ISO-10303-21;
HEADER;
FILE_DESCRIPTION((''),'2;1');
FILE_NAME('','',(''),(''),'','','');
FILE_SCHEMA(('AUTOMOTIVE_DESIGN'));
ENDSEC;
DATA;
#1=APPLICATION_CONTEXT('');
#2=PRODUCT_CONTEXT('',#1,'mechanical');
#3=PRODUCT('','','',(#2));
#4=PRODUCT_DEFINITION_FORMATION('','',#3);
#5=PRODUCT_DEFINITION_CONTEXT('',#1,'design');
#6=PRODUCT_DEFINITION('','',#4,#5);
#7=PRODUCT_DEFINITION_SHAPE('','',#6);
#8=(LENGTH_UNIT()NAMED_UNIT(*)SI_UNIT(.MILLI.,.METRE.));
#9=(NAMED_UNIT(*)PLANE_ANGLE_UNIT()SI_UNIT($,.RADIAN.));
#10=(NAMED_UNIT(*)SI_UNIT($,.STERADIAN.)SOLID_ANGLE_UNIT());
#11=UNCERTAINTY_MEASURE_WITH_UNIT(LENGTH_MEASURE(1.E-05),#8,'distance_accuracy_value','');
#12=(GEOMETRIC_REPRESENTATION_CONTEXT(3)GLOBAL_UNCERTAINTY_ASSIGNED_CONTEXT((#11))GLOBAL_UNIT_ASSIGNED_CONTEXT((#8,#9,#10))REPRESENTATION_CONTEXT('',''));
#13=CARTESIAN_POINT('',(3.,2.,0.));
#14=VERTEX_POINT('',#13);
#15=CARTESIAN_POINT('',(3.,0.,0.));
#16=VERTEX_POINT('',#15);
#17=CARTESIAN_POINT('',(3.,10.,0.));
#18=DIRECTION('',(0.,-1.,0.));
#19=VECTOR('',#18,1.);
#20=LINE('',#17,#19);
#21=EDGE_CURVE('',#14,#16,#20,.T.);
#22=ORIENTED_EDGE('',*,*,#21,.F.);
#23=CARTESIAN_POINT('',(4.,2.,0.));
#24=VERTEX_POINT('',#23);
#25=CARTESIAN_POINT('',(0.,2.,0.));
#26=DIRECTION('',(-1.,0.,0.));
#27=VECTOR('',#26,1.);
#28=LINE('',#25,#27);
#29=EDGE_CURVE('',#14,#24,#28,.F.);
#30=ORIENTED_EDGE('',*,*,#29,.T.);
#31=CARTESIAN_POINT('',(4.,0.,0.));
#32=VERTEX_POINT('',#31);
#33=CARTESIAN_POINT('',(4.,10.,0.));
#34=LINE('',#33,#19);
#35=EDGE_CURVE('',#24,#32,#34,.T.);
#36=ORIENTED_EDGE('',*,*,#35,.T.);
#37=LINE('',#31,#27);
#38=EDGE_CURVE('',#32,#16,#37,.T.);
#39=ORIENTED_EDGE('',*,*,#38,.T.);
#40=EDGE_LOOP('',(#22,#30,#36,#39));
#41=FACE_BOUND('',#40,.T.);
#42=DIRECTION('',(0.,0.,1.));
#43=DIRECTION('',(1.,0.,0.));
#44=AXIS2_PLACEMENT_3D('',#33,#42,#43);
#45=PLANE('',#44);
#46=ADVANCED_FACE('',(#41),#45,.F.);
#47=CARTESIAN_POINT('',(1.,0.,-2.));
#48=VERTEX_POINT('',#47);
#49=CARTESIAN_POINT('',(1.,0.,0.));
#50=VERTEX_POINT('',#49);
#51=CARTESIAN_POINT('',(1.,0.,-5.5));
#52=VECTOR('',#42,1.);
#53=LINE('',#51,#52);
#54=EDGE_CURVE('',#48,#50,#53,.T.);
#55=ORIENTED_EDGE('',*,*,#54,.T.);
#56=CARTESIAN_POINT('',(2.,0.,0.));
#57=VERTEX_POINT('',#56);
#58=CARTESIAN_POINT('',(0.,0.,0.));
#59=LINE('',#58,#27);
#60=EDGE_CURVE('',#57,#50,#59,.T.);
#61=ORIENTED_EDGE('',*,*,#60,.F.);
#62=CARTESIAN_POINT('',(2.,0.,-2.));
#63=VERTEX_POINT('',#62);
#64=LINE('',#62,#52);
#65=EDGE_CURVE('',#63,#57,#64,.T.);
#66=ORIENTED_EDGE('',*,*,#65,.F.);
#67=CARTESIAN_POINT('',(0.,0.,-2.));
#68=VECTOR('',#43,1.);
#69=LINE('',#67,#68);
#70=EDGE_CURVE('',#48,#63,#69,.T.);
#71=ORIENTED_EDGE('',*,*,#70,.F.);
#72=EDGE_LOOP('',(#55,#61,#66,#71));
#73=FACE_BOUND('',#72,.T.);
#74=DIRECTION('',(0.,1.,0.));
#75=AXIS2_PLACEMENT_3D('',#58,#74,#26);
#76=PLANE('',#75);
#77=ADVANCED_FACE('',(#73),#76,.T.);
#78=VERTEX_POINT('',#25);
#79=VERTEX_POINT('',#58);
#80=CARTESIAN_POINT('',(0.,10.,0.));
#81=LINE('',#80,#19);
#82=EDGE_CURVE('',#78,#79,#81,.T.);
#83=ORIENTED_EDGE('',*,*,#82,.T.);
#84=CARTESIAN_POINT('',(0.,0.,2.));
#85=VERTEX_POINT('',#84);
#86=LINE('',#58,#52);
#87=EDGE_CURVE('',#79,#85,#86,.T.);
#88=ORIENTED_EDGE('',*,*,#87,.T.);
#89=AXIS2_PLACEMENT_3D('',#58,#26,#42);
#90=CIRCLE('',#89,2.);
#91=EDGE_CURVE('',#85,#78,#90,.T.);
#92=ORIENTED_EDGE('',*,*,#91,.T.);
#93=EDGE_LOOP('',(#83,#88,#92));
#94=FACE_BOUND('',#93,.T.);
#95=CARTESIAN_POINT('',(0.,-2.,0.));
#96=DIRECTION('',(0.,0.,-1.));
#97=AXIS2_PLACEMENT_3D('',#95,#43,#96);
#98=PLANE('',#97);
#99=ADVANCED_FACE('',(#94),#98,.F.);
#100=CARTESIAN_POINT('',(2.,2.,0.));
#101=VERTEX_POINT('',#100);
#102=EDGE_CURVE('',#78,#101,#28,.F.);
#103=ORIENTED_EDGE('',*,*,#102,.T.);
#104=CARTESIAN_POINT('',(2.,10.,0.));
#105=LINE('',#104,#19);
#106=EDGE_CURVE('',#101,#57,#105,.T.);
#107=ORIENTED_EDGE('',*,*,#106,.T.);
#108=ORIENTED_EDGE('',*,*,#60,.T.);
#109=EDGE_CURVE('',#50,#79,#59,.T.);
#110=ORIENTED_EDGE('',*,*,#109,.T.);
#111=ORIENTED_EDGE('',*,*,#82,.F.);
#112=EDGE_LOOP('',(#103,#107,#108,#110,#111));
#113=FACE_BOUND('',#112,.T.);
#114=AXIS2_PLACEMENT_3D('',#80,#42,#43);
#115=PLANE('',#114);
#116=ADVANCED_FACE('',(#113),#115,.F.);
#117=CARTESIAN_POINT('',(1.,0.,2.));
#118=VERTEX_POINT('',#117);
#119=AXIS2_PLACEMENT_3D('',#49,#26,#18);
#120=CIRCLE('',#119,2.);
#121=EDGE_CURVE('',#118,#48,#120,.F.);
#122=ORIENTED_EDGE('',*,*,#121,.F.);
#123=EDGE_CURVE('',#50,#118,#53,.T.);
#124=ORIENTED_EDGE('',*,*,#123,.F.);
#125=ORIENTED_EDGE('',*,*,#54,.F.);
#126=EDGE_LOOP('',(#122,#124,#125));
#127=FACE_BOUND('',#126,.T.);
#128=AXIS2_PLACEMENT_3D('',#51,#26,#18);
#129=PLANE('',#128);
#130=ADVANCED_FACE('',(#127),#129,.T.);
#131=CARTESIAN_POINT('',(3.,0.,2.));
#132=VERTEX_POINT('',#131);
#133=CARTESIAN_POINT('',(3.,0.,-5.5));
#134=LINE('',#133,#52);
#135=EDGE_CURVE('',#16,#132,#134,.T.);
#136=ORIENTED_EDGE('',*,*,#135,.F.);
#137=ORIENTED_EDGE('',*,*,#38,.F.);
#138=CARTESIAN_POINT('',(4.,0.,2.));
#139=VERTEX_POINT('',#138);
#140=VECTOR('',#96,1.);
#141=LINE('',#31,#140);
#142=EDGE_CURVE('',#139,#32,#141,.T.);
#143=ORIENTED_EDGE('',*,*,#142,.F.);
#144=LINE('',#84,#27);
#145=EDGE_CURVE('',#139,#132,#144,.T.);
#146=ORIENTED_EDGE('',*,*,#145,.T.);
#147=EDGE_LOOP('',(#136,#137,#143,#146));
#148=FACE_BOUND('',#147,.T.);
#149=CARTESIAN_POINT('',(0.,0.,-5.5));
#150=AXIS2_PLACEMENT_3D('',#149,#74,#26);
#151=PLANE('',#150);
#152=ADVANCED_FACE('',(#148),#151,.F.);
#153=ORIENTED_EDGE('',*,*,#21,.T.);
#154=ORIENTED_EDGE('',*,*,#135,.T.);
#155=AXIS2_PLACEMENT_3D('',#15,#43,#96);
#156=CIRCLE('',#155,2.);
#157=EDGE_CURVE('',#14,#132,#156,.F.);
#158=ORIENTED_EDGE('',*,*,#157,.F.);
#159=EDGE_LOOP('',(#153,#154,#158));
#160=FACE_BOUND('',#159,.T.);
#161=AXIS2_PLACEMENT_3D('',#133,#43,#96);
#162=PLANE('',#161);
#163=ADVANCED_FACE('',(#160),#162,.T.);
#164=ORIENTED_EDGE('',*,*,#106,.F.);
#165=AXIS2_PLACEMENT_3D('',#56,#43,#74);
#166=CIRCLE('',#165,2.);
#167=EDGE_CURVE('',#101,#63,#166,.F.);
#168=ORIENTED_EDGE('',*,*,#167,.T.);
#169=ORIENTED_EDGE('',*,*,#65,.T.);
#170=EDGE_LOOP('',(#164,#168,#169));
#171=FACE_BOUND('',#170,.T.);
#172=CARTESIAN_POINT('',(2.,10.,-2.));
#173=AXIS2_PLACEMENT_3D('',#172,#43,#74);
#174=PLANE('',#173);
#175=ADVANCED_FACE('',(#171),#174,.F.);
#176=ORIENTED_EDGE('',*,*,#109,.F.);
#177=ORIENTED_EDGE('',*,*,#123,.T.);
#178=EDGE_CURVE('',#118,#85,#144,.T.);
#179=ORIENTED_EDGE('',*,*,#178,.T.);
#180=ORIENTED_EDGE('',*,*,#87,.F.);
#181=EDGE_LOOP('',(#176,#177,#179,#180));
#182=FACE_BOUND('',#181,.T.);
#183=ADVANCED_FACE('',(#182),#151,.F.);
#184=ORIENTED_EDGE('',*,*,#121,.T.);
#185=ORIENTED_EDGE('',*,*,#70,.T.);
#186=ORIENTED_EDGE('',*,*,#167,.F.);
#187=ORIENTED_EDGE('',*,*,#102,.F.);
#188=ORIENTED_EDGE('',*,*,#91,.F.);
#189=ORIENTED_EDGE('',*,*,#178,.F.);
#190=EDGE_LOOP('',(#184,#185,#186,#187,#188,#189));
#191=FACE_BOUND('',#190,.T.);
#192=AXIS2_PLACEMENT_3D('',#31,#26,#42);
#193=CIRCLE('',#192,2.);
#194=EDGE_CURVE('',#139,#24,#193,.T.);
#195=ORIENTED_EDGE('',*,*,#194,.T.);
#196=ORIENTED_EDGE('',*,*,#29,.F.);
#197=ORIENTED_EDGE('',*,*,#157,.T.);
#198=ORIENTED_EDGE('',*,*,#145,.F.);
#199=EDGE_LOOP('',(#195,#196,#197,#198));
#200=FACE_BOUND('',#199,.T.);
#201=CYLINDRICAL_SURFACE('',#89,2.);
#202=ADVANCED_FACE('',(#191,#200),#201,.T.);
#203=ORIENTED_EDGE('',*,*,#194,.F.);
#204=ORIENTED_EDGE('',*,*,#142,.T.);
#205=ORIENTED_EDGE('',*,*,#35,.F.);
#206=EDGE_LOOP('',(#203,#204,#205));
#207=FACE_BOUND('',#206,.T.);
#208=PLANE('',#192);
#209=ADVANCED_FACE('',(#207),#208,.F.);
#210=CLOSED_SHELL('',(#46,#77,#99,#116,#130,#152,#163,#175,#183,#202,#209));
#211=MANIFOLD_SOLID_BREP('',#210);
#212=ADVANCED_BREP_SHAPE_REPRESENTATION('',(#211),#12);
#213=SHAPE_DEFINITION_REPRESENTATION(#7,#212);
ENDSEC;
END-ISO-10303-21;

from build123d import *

# Parameters (mm, degrees)
SKETCH5_W          = 4
SKETCH5_H          = 2
SKETCH6_W          = 1
SKETCH6_H          = 2
CUT_EXTRUDE5_DEPTH = 5.5
SKETCH7_W          = 2
SKETCH7_H          = 2
SKETCH7_W_2        = 1
CUT_EXTRUDE6_DEPTH = 10


with BuildPart() as part:
    # Sketch5 → Revolve-Thin2 (revolve)
    with BuildSketch(Plane.XY):
        with Locations((2, 1)):
            Rectangle(SKETCH5_W, SKETCH5_H)
    revolve(axis=Axis((0, 0, 0), (1, 0, 0)))

    # Sketch6 → Cut-Extrude5 (cut, symmetric)
    with BuildSketch(Plane.XY):
        with Locations((3.5, -1)):
            Rectangle(SKETCH6_W, SKETCH6_H)
        with Locations((0.5, -1)):
            Rectangle(SKETCH6_W, SKETCH6_H)
    extrude(amount=CUT_EXTRUDE5_DEPTH, both=True, mode=Mode.SUBTRACT)

    # Sketch7 → Cut-Extrude6 (cut)
    with BuildSketch(Plane.XZ):
        with Locations((1, -1)):
            Rectangle(SKETCH7_W, SKETCH7_H)
        with Locations((3.5, -1)):
            Rectangle(SKETCH7_W_2, SKETCH7_H)
    extrude(amount=-CUT_EXTRUDE6_DEPTH, mode=Mode.SUBTRACT)


solid = part.part
